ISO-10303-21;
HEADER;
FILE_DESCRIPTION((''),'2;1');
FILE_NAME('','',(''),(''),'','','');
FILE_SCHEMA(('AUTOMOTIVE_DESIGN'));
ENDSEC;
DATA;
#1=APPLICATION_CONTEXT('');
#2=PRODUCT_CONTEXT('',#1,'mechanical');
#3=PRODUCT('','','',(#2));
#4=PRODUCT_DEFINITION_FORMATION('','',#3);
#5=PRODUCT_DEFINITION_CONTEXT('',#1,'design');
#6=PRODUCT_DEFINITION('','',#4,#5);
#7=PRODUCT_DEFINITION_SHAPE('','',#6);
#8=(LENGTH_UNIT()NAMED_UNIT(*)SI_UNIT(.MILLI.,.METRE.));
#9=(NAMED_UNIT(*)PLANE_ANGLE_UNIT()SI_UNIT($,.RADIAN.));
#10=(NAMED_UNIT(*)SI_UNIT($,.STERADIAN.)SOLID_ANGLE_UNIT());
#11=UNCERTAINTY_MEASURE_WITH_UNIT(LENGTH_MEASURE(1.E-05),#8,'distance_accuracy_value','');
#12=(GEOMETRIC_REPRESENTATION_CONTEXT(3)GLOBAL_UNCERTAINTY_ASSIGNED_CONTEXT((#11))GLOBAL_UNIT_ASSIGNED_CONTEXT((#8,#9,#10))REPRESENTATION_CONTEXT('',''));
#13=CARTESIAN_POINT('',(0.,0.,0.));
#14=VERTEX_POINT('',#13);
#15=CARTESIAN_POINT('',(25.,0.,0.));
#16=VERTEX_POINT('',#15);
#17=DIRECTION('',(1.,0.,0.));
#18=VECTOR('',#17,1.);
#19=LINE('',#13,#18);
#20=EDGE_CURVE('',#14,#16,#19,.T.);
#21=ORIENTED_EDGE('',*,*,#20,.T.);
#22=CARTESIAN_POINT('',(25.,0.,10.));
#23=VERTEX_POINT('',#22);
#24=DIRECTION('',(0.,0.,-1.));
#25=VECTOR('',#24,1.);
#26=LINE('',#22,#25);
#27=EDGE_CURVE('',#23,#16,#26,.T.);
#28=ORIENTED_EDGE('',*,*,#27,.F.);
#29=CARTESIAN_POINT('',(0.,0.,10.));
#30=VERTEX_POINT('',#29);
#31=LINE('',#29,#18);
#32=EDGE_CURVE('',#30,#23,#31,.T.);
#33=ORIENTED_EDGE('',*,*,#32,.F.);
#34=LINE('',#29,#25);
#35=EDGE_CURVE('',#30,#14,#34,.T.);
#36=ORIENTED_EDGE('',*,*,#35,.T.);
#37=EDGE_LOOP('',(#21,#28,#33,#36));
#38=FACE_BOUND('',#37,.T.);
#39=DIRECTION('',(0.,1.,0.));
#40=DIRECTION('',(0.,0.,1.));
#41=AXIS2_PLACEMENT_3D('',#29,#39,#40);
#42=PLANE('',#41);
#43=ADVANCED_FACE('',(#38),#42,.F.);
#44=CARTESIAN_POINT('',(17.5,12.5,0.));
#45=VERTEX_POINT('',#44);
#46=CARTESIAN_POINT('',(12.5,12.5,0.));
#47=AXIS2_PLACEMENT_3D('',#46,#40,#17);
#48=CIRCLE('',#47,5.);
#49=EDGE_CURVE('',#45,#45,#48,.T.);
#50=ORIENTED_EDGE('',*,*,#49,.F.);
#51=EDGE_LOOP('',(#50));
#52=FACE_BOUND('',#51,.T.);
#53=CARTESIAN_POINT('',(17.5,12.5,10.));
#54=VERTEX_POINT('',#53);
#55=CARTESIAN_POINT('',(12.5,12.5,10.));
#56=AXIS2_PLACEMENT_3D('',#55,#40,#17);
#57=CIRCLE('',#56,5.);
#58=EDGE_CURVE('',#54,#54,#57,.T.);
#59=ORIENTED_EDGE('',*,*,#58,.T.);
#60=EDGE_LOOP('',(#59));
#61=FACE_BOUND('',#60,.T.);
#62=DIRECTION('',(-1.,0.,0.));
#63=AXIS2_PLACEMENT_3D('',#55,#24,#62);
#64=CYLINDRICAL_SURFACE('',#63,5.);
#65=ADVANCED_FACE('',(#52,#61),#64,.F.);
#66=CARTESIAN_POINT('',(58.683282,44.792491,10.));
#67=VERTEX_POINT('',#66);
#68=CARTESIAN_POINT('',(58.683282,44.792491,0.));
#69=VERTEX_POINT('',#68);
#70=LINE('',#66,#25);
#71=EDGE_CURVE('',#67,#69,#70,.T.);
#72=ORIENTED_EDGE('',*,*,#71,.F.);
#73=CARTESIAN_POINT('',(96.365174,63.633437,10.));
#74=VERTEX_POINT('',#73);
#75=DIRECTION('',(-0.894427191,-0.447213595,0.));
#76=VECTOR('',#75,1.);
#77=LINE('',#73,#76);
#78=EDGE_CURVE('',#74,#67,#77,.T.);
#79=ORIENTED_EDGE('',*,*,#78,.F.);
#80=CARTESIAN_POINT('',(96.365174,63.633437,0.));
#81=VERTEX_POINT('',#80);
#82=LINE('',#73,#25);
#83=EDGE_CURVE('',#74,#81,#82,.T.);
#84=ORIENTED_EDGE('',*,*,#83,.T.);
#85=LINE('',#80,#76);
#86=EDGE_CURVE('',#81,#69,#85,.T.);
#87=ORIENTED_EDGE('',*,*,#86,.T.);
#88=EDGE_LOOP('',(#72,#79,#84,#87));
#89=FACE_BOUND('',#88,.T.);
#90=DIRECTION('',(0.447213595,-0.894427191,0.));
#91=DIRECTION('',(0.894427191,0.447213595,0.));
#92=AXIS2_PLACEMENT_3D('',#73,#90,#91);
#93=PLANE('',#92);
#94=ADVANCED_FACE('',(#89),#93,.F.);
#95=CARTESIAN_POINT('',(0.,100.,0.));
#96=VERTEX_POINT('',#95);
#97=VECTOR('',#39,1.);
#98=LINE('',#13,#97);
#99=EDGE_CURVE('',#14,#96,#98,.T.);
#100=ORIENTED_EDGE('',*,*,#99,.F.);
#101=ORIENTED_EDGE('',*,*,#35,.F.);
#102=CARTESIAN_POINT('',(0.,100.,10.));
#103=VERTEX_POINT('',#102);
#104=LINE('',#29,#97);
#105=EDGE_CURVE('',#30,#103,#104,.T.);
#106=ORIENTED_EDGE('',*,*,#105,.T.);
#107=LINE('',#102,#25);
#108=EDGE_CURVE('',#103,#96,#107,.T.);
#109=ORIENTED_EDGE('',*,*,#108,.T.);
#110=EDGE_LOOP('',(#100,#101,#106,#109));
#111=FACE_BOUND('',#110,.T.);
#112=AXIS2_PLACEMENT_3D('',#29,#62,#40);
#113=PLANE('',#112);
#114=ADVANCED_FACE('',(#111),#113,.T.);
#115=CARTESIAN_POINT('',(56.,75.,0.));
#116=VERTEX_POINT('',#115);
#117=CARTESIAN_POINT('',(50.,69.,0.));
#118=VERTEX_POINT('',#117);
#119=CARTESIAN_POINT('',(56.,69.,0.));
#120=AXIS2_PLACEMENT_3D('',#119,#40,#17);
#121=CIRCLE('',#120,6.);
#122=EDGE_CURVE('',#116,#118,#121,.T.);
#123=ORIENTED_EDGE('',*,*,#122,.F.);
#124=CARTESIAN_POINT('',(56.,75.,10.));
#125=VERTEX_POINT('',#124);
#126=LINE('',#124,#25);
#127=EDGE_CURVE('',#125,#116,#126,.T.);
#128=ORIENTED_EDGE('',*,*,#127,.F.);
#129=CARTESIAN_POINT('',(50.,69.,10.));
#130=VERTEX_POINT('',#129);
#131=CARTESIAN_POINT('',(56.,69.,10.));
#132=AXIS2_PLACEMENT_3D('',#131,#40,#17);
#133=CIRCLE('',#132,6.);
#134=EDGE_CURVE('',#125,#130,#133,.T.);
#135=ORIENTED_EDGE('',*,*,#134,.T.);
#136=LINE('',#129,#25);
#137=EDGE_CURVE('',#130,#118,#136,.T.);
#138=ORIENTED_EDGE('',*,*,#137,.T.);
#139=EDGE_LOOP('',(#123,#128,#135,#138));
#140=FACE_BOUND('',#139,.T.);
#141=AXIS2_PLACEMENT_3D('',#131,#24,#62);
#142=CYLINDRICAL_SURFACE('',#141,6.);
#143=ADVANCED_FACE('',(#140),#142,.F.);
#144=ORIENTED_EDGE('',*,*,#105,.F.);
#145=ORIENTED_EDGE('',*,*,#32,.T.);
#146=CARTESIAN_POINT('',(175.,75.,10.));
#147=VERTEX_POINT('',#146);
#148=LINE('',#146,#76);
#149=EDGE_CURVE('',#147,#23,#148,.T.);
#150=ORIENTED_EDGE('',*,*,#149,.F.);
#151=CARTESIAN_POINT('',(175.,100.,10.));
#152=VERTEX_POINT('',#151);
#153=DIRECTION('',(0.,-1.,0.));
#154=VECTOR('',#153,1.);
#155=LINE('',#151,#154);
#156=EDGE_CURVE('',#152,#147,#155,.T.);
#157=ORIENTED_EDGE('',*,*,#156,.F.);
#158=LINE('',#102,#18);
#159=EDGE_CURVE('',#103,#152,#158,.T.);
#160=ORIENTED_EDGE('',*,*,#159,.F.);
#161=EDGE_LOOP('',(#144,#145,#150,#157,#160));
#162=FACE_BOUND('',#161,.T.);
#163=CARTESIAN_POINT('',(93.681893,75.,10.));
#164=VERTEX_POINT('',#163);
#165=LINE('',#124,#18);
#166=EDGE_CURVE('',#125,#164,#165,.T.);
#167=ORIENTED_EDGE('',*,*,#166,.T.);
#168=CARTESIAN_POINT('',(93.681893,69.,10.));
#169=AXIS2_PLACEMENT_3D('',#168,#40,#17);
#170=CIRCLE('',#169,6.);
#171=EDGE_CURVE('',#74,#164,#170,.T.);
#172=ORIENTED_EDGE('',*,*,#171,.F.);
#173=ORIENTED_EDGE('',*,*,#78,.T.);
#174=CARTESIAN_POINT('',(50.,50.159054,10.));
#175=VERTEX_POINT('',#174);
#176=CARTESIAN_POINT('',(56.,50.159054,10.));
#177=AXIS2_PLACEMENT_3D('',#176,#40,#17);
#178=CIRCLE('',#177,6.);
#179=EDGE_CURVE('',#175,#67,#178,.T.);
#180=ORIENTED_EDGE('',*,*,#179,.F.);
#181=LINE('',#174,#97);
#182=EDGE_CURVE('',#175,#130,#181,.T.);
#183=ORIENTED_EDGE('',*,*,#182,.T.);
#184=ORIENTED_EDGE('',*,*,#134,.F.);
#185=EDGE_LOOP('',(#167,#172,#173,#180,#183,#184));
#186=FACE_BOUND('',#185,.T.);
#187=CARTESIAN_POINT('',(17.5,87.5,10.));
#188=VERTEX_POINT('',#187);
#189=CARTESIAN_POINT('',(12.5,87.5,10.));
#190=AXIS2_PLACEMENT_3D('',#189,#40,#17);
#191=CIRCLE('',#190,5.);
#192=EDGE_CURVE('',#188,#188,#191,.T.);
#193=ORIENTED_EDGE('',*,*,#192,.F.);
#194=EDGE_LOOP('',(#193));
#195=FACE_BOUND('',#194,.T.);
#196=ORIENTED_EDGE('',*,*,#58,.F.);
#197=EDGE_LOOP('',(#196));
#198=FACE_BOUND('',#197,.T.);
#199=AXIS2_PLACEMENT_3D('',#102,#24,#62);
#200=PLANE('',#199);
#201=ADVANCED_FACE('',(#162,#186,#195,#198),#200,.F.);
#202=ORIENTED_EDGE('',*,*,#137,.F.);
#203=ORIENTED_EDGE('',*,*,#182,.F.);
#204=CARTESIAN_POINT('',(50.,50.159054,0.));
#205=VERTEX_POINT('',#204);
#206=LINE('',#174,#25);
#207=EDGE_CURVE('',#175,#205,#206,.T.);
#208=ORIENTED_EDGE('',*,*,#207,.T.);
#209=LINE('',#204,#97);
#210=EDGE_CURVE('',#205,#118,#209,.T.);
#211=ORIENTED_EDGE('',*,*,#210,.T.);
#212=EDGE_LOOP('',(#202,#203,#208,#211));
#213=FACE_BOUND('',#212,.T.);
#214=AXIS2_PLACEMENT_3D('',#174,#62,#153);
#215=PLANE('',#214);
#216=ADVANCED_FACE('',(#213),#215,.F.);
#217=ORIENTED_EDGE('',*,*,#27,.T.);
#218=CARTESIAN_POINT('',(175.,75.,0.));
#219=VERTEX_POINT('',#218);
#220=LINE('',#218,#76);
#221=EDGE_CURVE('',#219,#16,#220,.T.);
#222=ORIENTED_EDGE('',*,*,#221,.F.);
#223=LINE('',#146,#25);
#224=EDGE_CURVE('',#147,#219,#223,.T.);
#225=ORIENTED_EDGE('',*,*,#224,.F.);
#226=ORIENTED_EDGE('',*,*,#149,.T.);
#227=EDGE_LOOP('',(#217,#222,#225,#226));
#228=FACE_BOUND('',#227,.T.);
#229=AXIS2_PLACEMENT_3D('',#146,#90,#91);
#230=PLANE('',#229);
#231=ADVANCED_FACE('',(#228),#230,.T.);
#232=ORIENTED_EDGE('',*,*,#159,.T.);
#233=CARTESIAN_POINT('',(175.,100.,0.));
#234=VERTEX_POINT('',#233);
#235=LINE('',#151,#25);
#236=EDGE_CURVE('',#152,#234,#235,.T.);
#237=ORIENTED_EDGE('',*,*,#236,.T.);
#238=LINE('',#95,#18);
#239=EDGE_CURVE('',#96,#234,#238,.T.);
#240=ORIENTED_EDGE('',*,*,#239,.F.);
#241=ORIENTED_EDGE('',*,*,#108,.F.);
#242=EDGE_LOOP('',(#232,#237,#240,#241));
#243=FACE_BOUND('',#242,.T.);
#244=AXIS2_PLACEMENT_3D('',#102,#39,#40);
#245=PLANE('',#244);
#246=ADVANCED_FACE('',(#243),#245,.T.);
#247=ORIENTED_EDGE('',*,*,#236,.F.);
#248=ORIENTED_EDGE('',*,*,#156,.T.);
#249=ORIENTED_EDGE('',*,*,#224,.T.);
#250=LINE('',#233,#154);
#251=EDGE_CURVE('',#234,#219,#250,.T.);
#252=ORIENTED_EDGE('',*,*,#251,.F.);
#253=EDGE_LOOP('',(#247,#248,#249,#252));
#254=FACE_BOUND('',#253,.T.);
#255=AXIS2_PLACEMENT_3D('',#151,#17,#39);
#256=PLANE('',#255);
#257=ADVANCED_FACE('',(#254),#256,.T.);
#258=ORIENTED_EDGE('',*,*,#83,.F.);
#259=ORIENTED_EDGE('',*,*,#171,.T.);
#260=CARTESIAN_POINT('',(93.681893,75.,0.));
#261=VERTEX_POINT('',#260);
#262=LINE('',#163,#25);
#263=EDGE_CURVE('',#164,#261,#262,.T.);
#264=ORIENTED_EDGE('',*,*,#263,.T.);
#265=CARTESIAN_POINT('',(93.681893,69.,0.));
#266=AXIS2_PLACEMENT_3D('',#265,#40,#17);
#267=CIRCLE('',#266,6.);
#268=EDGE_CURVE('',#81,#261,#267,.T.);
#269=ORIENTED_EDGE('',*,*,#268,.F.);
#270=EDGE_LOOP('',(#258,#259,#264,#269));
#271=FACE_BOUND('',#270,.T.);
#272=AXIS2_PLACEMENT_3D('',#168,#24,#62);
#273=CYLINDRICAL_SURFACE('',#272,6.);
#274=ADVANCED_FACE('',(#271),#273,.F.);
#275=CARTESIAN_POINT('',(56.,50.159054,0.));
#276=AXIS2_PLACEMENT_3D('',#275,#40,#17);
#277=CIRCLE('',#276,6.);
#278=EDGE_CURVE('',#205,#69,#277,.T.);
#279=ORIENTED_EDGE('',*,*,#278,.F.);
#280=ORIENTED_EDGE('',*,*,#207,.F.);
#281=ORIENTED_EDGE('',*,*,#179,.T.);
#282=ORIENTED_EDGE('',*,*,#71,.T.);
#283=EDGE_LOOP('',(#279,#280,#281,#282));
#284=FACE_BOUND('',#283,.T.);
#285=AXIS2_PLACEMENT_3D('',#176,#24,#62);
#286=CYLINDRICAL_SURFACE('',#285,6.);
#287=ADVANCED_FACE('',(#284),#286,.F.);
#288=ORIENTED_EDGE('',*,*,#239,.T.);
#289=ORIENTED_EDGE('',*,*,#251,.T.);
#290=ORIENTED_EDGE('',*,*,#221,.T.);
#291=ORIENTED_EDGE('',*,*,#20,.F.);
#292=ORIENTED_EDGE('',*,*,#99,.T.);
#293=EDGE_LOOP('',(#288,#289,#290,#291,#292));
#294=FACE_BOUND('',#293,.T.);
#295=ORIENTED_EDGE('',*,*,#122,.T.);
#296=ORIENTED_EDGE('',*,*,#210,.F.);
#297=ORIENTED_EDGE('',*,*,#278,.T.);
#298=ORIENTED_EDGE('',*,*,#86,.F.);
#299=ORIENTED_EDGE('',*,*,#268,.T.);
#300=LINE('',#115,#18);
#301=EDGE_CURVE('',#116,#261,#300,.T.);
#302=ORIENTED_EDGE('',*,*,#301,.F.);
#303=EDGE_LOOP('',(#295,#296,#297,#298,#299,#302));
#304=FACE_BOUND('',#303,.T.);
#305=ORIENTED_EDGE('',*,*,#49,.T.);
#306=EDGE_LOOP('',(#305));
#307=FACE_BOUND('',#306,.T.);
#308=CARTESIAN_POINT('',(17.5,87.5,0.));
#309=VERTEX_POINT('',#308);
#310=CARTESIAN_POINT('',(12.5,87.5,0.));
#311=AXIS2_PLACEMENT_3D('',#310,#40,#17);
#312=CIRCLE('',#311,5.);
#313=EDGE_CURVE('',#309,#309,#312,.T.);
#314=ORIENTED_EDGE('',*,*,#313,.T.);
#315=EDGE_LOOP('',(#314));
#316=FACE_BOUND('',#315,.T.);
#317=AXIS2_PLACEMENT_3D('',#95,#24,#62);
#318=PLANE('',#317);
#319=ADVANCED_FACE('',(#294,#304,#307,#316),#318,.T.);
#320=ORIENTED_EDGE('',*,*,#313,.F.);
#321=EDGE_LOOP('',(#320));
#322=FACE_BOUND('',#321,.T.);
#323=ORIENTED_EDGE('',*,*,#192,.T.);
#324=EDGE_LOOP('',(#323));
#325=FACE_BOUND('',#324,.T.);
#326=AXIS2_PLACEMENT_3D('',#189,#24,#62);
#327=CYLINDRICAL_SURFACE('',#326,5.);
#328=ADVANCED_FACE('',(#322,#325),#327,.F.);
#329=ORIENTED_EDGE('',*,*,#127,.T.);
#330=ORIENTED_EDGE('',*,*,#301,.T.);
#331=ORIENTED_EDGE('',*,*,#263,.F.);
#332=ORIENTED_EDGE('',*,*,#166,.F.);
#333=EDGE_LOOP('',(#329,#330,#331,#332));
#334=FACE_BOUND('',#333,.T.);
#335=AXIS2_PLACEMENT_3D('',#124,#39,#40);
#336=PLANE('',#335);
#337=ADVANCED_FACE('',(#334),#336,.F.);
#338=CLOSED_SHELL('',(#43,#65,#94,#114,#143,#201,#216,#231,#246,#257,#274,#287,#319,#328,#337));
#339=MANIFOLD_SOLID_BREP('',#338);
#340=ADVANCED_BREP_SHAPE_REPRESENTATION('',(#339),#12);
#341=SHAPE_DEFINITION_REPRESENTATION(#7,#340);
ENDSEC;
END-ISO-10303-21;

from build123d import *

# Parameters (mm, degrees)
SKETCH1_R          = 5
BASE_EXTRUDE_DEPTH = 10


with BuildPart() as part:
    # Sketch1 → Base-Extrude (new body)
    with BuildSketch(Plane.XY):
        Polygon((0, 0), (25, 0), (175, 75), (175, 100), (0, 100), align=None)
        with Locations((12.5, 12.5)):
            Circle(SKETCH1_R, mode=Mode.SUBTRACT)
        with Locations((12.5, 87.5)):
            Circle(SKETCH1_R, mode=Mode.SUBTRACT)
        with BuildLine():
            Line((50, 50.159053651), (50, 69))
            ThreePointArc((50, 69), (51.757359313, 73.242640687), (56, 75))
            Line((56, 75), (93.681892698, 75))
            ThreePointArc((93.681892698, 75), (99.521386634, 70.378517523), (96.365174271, 63.633436854))
            Line((96.365174271, 63.633436854), (58.683281573, 44.792490505))
            ThreePointArc((58.683281573, 44.792490505), (52.845613327, 45.055148801), (50, 50.159053651))
        make_face(mode=Mode.SUBTRACT)
    extrude(amount=BASE_EXTRUDE_DEPTH)


solid = part.part
